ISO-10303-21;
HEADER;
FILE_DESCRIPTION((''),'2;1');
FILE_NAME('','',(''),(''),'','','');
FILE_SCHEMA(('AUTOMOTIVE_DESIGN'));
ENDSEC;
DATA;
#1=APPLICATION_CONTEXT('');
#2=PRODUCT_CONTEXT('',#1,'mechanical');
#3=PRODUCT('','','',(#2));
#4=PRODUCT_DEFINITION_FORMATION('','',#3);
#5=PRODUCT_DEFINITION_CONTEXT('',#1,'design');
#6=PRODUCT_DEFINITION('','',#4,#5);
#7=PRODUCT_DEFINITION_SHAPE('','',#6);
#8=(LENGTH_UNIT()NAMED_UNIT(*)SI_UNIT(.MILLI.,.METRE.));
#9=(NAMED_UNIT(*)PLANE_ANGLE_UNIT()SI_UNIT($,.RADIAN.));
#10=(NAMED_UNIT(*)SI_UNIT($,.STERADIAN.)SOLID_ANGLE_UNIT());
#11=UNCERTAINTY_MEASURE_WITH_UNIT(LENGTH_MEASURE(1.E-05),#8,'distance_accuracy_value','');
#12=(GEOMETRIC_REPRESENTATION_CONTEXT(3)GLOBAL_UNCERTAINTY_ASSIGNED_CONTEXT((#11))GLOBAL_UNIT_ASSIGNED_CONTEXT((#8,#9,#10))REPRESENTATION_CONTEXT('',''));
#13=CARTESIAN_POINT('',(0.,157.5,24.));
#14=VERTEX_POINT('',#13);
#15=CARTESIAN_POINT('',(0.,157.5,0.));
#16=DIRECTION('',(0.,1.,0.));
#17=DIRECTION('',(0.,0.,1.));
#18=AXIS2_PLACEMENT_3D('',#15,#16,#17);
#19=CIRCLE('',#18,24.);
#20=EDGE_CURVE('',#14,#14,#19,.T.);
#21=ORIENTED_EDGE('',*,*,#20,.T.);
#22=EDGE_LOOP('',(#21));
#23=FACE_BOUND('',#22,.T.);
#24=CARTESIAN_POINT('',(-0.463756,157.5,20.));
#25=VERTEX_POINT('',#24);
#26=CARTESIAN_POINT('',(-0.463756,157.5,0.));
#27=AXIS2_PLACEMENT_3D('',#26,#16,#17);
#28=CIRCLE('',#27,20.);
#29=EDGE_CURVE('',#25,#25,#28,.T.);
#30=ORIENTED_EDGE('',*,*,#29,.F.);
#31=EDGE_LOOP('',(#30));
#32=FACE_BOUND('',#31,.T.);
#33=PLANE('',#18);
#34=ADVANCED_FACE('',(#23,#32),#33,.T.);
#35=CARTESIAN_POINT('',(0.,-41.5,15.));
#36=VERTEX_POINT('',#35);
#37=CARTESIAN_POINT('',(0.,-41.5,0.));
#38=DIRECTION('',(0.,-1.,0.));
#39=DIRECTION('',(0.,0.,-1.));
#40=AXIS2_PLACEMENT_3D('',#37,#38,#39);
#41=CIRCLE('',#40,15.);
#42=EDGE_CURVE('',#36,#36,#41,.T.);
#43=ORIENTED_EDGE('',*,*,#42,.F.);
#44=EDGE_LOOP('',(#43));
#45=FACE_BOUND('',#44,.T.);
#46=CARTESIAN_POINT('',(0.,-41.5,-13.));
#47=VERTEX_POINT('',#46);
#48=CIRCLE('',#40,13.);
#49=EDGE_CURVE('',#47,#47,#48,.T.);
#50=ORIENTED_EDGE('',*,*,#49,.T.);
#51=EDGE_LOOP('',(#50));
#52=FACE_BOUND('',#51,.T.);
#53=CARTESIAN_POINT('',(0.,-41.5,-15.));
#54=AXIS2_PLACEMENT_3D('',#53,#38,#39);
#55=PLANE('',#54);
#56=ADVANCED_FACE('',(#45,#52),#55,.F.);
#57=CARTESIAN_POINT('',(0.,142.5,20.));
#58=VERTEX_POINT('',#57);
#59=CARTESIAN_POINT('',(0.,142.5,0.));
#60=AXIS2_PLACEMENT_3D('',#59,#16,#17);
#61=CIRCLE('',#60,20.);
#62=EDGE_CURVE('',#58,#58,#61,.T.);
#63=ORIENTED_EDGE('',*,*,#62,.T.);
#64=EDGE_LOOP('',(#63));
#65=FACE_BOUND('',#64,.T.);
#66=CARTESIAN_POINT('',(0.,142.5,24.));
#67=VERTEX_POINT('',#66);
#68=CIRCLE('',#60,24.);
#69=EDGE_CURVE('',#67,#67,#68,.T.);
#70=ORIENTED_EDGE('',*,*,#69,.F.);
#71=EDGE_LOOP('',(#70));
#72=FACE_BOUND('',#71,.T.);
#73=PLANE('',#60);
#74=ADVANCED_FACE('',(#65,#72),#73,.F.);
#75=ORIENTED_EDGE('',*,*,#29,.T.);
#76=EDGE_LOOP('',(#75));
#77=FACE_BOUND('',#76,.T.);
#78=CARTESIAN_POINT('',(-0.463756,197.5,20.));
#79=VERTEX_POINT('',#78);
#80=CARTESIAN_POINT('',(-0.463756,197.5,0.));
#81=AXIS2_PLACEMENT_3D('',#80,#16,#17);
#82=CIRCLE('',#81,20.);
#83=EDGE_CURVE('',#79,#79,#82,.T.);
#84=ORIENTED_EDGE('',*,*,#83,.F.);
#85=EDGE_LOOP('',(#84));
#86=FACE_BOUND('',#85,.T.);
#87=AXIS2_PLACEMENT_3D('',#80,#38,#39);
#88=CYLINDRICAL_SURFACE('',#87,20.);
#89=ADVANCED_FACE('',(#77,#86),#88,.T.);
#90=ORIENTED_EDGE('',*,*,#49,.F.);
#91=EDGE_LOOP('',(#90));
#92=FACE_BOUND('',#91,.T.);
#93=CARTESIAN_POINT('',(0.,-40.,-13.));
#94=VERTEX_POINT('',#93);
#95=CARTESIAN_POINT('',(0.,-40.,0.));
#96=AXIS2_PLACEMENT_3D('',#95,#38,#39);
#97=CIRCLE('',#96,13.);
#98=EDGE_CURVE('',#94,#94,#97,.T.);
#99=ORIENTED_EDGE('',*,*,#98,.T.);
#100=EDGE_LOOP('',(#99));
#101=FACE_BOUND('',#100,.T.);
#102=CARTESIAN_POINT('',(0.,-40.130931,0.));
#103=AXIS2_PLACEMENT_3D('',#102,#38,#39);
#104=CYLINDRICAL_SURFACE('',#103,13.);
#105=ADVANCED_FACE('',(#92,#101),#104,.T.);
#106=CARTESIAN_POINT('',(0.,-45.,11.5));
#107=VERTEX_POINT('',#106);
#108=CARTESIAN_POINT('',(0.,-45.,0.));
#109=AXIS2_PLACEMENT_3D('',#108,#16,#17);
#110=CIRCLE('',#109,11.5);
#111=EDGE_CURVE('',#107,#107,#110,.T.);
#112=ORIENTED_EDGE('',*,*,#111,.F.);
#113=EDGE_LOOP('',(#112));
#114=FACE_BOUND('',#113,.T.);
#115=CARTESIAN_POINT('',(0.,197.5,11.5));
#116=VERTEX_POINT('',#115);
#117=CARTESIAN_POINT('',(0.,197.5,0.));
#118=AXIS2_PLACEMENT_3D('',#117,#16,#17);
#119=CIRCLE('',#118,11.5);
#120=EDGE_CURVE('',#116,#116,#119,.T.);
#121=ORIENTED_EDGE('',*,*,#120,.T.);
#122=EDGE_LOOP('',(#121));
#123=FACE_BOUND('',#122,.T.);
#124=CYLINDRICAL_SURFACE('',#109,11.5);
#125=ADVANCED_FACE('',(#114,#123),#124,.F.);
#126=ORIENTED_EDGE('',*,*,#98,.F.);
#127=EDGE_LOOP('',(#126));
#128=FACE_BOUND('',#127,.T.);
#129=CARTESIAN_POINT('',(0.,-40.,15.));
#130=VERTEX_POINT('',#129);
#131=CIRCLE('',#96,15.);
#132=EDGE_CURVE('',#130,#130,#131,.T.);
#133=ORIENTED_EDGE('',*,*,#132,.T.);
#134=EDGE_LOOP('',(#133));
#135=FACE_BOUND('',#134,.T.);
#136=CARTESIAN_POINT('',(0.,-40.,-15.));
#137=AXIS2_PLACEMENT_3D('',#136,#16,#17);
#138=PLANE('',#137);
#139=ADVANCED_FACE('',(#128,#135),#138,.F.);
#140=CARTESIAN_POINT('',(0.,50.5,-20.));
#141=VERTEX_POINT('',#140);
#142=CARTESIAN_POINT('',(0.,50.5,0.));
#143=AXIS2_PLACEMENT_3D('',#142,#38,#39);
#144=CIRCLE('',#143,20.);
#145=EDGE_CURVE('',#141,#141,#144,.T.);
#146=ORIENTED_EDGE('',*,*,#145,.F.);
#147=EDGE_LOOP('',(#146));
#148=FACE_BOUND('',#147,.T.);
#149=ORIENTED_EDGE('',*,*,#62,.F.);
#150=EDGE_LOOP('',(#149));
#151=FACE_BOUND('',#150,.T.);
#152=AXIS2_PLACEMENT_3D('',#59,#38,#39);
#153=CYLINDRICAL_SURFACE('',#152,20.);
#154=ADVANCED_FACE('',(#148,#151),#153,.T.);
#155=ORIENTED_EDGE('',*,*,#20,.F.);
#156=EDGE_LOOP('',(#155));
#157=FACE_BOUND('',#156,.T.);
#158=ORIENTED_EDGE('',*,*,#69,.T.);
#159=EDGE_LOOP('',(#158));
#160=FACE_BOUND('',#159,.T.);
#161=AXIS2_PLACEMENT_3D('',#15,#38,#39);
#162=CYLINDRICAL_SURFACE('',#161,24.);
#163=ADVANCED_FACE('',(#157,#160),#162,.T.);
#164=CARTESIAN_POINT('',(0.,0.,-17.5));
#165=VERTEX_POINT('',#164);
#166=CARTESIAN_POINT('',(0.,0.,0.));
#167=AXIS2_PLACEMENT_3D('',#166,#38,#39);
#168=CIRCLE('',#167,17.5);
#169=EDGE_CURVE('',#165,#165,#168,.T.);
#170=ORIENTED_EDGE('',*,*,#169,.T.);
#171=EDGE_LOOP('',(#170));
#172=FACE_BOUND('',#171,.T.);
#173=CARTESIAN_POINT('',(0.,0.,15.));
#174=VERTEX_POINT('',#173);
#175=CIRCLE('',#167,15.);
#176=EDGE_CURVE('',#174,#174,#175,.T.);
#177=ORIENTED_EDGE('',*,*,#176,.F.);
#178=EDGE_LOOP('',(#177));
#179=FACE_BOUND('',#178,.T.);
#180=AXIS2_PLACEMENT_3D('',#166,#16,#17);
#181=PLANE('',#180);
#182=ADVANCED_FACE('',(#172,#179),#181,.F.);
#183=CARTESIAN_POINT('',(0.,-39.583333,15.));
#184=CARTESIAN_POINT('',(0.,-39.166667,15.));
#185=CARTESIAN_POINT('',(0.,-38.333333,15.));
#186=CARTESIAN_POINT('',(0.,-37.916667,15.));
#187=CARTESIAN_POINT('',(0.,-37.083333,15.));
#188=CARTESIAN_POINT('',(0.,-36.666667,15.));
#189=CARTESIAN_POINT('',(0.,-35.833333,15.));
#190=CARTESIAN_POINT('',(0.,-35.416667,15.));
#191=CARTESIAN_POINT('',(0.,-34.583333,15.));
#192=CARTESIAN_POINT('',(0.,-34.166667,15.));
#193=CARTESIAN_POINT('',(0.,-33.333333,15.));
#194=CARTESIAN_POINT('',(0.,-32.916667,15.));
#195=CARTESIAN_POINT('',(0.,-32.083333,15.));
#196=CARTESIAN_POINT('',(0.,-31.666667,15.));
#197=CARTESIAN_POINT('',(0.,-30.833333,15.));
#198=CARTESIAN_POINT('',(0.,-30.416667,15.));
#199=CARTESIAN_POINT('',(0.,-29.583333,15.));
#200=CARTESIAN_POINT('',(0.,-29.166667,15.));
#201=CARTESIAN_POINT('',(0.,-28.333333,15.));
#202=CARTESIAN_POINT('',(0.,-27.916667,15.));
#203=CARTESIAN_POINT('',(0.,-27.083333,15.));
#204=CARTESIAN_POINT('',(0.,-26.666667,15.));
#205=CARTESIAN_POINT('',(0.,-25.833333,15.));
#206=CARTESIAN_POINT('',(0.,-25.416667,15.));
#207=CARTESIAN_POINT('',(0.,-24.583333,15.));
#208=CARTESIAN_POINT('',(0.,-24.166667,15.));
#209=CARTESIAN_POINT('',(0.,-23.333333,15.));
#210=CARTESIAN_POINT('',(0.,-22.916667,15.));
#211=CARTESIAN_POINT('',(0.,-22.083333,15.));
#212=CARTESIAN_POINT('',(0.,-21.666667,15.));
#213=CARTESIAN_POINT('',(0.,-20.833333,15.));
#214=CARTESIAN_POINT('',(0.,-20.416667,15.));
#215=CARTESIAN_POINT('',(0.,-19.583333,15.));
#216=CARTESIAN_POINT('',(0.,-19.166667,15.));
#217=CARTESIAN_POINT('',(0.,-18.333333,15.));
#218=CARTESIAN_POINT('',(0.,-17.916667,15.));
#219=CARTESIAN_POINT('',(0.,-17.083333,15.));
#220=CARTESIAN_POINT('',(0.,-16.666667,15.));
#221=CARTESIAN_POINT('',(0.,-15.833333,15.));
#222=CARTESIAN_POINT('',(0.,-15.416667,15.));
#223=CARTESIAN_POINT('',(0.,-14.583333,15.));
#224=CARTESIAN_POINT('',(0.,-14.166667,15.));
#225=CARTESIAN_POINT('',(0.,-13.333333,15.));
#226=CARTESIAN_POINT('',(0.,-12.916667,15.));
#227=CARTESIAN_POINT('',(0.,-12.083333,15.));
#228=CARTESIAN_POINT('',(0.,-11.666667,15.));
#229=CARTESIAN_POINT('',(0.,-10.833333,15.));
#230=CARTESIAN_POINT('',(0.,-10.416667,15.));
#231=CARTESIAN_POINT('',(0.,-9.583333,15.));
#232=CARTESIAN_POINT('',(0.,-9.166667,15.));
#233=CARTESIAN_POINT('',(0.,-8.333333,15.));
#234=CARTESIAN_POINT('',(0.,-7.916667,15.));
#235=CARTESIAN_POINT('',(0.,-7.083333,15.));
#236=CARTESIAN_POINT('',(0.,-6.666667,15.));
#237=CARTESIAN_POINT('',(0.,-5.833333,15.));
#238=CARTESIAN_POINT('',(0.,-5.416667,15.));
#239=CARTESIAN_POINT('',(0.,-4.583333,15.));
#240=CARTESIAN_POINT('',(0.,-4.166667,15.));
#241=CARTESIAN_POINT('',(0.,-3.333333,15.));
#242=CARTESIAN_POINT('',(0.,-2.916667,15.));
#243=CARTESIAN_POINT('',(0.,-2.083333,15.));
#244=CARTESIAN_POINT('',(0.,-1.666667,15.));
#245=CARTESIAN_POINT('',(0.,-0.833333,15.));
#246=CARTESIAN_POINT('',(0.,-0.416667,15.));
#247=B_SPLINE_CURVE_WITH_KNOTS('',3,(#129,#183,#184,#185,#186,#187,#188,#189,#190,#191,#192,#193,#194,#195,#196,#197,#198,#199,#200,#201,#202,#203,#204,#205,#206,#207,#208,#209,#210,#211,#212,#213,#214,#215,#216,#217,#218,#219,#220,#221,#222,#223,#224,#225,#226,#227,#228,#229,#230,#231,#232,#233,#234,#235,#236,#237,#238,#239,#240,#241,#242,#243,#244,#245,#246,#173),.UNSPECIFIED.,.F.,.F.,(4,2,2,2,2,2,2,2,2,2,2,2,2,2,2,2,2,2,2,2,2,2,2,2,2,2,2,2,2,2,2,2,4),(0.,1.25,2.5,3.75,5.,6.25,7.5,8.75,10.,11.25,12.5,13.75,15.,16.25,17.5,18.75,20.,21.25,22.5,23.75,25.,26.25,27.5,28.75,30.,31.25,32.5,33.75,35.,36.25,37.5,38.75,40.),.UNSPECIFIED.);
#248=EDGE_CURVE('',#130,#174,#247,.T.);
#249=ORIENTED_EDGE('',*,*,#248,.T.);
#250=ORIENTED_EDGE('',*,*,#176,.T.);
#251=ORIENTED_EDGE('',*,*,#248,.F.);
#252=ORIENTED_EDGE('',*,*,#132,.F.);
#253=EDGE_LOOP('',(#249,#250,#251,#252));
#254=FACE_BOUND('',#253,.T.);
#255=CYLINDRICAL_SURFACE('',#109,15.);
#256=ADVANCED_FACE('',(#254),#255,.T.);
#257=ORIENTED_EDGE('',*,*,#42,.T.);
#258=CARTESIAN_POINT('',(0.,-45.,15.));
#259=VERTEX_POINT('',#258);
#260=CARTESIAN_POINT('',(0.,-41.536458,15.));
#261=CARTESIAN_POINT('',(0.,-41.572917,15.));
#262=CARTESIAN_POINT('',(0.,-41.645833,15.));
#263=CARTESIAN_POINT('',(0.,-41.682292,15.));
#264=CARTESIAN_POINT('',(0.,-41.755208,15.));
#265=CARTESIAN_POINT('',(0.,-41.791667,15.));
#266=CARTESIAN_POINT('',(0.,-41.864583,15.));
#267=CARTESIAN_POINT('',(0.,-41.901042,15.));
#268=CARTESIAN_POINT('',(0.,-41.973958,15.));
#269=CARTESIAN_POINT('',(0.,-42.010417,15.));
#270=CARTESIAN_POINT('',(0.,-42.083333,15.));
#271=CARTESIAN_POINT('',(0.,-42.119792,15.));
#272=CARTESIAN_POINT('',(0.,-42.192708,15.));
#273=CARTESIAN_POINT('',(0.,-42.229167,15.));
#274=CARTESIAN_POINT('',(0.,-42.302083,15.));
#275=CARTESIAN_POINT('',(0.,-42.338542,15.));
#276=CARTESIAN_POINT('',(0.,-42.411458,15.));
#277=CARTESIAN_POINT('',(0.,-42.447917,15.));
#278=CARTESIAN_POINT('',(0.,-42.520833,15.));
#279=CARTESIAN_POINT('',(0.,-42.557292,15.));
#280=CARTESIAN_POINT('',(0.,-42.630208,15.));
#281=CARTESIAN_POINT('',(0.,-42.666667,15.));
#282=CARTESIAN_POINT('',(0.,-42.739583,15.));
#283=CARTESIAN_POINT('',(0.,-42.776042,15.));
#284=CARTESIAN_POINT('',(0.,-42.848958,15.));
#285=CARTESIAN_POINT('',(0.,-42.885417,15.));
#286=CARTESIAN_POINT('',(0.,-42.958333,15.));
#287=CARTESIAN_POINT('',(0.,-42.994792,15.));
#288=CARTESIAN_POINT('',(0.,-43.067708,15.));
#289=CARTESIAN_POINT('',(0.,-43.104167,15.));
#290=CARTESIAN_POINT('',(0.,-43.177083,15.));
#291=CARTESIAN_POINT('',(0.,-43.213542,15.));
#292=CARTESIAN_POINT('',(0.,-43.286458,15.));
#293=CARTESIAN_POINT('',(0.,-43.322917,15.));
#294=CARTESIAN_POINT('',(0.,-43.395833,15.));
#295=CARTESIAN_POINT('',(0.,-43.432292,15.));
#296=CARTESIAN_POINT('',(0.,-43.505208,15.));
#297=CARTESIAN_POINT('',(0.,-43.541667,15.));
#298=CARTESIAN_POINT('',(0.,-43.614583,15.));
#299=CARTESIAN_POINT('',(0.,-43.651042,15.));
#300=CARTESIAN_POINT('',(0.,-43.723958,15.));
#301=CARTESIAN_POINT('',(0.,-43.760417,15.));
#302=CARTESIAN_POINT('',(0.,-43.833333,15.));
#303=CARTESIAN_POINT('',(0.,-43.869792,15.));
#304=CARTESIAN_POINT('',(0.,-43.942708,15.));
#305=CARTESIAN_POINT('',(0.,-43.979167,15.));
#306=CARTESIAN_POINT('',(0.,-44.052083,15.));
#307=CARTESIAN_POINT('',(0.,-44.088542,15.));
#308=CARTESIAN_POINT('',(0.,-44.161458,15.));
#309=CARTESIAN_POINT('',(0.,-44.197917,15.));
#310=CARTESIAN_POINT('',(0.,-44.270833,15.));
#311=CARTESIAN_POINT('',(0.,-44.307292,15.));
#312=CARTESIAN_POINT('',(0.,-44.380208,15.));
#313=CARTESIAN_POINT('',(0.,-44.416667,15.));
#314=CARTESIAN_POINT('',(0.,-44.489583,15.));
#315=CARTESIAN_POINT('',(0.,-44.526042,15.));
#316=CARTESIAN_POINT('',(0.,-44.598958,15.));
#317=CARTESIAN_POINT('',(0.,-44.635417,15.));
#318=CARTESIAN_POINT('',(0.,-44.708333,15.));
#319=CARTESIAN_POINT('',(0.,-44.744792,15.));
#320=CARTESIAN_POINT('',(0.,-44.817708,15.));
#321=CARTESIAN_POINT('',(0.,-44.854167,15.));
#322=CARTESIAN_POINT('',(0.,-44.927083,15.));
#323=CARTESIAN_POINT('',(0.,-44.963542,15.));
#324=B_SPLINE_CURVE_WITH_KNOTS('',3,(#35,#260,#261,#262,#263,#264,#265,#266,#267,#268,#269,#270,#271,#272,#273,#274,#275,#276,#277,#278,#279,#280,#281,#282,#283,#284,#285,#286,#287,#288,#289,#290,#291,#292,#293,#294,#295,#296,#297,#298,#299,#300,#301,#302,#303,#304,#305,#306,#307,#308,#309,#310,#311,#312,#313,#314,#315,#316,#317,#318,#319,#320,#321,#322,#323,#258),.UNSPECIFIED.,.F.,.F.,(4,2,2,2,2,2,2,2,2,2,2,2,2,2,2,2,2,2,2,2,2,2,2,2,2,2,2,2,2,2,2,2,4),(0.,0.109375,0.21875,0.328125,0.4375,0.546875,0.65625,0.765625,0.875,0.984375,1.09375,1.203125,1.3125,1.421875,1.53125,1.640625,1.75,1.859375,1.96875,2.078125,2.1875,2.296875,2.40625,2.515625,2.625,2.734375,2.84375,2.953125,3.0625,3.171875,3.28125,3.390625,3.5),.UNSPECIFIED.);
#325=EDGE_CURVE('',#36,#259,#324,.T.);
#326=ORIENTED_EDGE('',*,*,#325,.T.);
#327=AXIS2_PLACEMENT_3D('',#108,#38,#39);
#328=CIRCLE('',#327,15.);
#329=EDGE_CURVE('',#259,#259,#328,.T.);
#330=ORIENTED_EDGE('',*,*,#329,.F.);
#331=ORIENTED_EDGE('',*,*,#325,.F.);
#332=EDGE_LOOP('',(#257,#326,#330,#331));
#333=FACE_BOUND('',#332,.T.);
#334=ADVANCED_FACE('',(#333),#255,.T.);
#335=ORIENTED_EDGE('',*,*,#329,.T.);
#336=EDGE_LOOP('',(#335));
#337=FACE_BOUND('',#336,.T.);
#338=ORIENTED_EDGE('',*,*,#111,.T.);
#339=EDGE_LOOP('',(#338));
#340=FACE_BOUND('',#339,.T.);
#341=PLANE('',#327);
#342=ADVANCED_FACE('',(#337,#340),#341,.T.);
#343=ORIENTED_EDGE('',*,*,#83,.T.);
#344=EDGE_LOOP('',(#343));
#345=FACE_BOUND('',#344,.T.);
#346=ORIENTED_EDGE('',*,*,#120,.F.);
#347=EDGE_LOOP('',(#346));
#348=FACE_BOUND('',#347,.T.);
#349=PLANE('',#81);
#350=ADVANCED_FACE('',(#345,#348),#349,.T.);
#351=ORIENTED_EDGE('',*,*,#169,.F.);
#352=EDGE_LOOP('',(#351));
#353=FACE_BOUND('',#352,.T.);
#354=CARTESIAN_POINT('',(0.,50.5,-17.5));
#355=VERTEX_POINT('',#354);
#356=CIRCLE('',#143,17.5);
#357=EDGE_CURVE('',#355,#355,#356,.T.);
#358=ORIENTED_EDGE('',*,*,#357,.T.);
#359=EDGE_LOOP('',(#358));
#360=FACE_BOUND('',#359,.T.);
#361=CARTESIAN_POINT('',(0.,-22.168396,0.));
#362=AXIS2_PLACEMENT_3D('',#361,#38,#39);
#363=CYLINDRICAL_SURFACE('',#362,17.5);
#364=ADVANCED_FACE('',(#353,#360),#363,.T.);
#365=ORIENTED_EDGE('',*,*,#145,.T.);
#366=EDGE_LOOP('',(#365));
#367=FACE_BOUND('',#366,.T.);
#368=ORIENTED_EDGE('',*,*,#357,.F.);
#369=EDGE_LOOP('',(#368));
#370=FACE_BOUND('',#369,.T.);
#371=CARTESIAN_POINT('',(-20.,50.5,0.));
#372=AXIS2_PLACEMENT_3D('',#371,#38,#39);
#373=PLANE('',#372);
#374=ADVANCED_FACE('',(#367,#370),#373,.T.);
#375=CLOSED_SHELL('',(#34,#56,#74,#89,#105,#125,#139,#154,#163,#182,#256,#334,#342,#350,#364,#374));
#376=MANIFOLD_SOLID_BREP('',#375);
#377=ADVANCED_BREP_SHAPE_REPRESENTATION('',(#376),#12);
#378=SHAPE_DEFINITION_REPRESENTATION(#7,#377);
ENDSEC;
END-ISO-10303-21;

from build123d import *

# Parameters (mm, degrees)
SKETCH1_R               = 20
BOSS_EXTRUDE1_DEPTH     = 142.5
SKETCH2_R               = 24
BOSS_EXTRUDE2_DEPTH     = 15
SKETCH3_R               = 20
BOSS_EXTRUDE3_DEPTH     = 40
SKETCH5_R               = 15
BOSS_EXTRUDE4_DEPTH     = 45
CUT_EXTRUDE1_DEPTH      = 245.863737617
CUT_EXTRUDE1_DEPTH_BACK = 245.863737617
SKETCH4_R               = 11.5
SKETCH7_W               = 2
SKETCH7_H               = 1.5
SKETCH10_W              = 2.5
SKETCH10_H              = 50.5


with BuildPart() as part:
    # Sketch1 → Boss-Extrude1 (new body)
    with BuildSketch(Plane(origin=(0, 0, 0), x_dir=(1, 0, 0), z_dir=(0, 1, 0))):
        with Locations(Location((0, 0, 0), (0, 0, 270))):
            Circle(SKETCH1_R)
    extrude(amount=BOSS_EXTRUDE1_DEPTH)

    # Sketch2 → Boss-Extrude2 (add)
    with BuildSketch(Plane(origin=(0, 142.5, 0), x_dir=(1, 0, 0), z_dir=(0, 1, 0))):
        with Locations(Location((0, 0, 0), (0, 0, 270))):
            Circle(SKETCH2_R)
    extrude(amount=BOSS_EXTRUDE2_DEPTH)

    # Sketch3 → Boss-Extrude3 (add)
    with BuildSketch(Plane(origin=(0, 157.5, 0), x_dir=(1, 0, 0), z_dir=(0, 1, 0))):
        with Locations(Location((-0.463755605, 0, 0), (0, 0, 270))):
            Circle(SKETCH3_R)
    extrude(amount=BOSS_EXTRUDE3_DEPTH)

    # Sketch5 → Boss-Extrude4 (add)
    with BuildSketch(Plane.XZ):
        with Locations(Location((0, 0, 0), (0, 0, 90))):
            Circle(SKETCH5_R)
    extrude(amount=BOSS_EXTRUDE4_DEPTH)

    # Sketch4 → Cut-Extrude1 (cut, two sides: drawn at the far end of the back side and taken through both)
    with BuildSketch(Plane(origin=(0, 197.5, 0), x_dir=(1, 0, 0), z_dir=(0, 1, 0)).offset(-CUT_EXTRUDE1_DEPTH_BACK)):
        with Locations(Location((0, 0, 0), (0, 0, 270))):
            Circle(SKETCH4_R)
    extrude(amount=CUT_EXTRUDE1_DEPTH + CUT_EXTRUDE1_DEPTH_BACK, mode=Mode.SUBTRACT)

    # Sketch7 → Cut-Revolve1 (revolve, cut)
    with BuildSketch(Plane(origin=(0, 0, 0), x_dir=(0, 0, -1), z_dir=(1, 0, 0)), mode=Mode.PRIVATE) as cut_revolve1_sk:
        with Locations((14, -40.75)):
            Rectangle(SKETCH7_W, SKETCH7_H)
    revolve(cut_revolve1_sk.sketch.rotate(Axis((0, -40.130931017, 0), (0, 1, 0)), 180), axis=Axis((0, -40.130931017, 0), (0, 1, 0)), mode=Mode.SUBTRACT)

    # Sketch10 → Cut-Revolve2 (revolve, cut)
    with BuildSketch(Plane.XY, mode=Mode.PRIVATE) as cut_revolve2_sk:
        with Locations((-18.75, 25.25)):
            Rectangle(SKETCH10_W, SKETCH10_H)
    revolve(cut_revolve2_sk.sketch.rotate(Axis((0, -22.168396133, 0), (0, 1, 0)), 270), axis=Axis((0, -22.168396133, 0), (0, 1, 0)), mode=Mode.SUBTRACT)


solid = part.part
